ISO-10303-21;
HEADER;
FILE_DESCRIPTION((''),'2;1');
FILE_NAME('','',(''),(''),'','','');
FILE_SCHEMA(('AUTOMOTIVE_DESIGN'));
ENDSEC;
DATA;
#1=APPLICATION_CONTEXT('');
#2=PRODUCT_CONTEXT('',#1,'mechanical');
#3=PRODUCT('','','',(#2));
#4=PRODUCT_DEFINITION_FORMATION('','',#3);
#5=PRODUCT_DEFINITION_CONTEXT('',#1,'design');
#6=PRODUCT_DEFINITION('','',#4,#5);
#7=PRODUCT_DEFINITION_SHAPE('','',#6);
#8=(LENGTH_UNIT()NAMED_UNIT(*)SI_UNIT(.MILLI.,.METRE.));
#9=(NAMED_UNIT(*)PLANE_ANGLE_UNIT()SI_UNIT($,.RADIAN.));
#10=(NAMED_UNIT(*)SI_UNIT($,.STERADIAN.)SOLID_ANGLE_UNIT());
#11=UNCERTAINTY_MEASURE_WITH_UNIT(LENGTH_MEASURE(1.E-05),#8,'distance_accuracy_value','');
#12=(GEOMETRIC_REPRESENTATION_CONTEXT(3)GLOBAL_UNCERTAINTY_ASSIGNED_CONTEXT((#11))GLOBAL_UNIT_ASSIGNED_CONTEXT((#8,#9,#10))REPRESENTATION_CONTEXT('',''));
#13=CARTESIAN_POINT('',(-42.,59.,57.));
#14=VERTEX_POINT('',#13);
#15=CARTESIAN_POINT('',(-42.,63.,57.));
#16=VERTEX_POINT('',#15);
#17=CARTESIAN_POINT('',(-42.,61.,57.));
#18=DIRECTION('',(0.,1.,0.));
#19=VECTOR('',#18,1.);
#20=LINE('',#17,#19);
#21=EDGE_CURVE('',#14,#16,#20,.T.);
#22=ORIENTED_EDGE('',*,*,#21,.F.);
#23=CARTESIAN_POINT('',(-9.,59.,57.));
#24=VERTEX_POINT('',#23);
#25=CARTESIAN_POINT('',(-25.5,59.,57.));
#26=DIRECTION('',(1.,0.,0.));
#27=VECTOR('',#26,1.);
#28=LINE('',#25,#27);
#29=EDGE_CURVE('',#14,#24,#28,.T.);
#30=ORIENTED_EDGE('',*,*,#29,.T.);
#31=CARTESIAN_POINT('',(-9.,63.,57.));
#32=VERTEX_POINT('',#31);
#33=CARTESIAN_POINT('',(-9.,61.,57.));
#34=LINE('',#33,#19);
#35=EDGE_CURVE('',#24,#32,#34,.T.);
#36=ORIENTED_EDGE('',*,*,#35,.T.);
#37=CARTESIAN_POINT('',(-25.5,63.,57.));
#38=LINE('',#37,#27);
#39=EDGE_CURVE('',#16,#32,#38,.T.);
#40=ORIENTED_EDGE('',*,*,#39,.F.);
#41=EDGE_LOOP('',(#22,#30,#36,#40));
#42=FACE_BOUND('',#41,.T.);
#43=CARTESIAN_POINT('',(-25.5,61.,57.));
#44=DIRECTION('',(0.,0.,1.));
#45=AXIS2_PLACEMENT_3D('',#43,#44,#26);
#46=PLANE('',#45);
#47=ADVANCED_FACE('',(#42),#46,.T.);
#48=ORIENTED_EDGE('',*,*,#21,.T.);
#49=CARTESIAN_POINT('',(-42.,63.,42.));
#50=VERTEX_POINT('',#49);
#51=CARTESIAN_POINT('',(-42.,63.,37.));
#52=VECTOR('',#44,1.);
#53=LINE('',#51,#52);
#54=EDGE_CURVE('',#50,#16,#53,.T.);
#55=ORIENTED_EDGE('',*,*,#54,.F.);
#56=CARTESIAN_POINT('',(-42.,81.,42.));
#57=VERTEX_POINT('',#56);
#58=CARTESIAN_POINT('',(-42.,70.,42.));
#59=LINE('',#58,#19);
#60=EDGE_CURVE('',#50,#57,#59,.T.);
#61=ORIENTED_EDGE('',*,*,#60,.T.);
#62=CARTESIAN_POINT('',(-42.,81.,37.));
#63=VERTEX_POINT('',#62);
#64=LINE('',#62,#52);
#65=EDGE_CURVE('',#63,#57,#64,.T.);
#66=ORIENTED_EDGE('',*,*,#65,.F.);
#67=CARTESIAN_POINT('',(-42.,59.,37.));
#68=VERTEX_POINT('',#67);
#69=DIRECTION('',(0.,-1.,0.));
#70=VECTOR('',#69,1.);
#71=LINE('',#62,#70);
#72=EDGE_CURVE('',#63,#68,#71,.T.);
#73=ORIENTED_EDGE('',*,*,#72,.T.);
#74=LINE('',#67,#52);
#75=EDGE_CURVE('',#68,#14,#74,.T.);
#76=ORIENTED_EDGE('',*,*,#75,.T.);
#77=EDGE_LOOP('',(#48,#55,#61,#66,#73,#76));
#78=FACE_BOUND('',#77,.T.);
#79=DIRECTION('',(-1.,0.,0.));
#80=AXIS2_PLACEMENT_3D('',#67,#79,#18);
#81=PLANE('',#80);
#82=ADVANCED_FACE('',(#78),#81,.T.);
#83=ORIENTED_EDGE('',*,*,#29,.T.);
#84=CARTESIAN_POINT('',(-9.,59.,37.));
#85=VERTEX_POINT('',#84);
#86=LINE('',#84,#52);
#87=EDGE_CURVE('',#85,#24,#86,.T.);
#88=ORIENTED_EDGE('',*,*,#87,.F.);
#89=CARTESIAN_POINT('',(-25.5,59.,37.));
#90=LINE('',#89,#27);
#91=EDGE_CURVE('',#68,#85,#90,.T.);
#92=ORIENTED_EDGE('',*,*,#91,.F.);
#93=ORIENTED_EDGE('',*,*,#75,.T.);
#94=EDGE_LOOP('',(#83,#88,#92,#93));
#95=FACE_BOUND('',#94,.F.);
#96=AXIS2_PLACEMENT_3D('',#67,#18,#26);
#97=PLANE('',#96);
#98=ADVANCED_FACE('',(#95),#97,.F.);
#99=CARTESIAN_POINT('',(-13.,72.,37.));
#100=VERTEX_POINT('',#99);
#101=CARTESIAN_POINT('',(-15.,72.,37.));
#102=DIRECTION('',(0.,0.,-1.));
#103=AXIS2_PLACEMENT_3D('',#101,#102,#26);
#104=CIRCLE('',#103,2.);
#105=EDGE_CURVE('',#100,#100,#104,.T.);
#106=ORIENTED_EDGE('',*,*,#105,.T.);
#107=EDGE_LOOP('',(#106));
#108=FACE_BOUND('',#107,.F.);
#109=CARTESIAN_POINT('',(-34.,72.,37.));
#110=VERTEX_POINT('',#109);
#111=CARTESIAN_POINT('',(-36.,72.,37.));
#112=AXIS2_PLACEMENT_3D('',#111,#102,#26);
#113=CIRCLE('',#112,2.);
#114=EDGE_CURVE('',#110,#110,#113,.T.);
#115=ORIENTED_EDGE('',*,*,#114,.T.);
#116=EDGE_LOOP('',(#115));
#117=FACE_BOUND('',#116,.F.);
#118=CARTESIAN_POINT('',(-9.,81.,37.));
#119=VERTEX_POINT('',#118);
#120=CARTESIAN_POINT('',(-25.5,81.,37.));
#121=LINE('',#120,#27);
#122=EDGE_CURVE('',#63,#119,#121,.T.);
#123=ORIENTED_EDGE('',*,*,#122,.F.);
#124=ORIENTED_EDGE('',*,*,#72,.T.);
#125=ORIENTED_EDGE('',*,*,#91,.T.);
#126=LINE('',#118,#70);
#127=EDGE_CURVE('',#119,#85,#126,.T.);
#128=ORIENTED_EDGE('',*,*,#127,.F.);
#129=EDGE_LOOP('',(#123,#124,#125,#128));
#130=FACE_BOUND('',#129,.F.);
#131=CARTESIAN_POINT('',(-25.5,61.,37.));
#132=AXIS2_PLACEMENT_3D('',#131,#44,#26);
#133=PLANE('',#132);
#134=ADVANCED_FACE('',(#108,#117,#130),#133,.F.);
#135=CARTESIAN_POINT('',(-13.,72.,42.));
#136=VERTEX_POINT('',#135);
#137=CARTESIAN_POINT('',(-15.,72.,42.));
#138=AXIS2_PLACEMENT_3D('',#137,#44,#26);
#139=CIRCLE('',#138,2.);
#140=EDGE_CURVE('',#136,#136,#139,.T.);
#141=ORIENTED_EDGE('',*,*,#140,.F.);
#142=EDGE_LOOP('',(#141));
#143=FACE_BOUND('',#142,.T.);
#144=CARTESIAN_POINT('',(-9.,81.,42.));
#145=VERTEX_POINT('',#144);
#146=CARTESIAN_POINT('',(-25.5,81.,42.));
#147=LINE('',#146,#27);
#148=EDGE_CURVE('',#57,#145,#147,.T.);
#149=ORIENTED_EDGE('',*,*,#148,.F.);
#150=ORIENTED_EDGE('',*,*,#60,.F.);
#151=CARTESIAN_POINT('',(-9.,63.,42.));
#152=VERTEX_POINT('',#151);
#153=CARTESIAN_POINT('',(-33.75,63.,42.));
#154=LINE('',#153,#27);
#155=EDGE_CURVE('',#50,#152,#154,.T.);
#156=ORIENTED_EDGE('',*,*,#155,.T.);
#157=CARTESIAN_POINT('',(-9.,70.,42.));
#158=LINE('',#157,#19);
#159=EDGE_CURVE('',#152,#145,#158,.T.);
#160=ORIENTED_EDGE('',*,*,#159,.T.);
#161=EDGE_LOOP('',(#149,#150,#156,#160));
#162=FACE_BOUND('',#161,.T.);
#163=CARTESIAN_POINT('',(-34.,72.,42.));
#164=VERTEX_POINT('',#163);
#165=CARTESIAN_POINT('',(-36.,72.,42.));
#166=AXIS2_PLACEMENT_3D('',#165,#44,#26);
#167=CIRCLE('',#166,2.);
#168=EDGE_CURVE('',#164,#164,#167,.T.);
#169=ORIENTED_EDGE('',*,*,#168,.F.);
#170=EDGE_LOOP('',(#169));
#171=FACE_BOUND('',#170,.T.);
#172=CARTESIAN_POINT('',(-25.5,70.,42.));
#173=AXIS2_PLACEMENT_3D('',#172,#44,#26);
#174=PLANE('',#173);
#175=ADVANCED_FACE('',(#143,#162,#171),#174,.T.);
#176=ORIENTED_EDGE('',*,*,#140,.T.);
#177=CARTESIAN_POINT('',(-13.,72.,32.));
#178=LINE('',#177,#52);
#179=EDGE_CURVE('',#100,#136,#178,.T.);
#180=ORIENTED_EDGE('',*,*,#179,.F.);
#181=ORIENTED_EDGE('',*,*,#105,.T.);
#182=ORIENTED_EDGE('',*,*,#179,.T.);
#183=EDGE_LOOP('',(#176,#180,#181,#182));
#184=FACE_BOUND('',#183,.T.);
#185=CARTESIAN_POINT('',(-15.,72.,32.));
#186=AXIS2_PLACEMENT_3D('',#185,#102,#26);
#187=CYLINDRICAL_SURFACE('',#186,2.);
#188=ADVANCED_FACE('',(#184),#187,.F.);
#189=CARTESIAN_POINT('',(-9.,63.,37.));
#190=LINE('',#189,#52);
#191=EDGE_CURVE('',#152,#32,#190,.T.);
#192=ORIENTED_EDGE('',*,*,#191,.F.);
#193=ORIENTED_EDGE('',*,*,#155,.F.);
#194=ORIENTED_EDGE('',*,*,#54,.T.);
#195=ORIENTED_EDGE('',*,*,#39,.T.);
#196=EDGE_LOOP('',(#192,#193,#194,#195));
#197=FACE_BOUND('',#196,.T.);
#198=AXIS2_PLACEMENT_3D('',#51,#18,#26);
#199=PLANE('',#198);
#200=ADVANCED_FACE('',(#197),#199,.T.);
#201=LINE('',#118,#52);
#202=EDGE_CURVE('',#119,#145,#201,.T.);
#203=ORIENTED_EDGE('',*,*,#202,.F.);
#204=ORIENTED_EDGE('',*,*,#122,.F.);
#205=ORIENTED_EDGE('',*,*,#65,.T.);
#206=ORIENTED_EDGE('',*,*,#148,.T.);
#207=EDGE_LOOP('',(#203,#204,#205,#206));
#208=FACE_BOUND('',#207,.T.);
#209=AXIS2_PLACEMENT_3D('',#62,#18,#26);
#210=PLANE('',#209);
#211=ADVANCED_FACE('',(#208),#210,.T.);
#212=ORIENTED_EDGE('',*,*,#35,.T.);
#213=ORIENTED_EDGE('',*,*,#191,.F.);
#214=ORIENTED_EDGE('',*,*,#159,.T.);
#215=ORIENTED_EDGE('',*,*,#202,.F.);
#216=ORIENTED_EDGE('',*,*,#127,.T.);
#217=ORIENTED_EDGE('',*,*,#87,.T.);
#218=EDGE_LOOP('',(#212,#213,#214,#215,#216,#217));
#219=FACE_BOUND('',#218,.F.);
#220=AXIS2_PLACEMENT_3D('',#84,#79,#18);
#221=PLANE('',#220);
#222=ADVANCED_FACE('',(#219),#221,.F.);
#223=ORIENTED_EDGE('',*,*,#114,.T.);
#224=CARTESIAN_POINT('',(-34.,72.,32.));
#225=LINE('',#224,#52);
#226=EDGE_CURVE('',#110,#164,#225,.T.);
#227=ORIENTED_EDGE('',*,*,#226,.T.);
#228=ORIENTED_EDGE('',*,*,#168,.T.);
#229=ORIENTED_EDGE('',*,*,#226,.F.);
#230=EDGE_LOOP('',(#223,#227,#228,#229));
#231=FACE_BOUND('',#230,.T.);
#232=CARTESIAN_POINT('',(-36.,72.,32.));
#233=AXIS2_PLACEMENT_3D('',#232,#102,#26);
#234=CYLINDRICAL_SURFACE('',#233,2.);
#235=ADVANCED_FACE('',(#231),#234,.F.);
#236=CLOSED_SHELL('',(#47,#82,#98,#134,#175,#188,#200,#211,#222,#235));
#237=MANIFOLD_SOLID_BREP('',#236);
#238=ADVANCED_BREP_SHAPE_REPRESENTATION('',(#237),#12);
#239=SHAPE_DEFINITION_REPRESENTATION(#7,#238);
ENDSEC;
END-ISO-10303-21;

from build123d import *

# Parameters (mm, degrees)
CYLINDER291_R     = 2
CYLINDER291_DEPTH = 10
CYLINDER290_R     = 2
CYLINDER290_DEPTH = 10
BOX400_W          = 33
BOX400_H          = 22
BOX400_DEPTH      = 5
BOX397_W          = 33
BOX397_H          = 4
BOX397_DEPTH      = 20


with BuildPart() as cylinder291:
    # Cylinder291 → Cylinder291 (new body)
    with BuildSketch(Plane(origin=(-15, 72, 32), x_dir=(1, 0, 0), z_dir=(0, 0, 1))):
        Circle(CYLINDER291_R)
    extrude(amount=CYLINDER291_DEPTH)


with BuildPart() as fusion229:
    # Cylinder290 → Cylinder290 (new body)
    with BuildSketch(Plane(origin=(-36, 72, 32), x_dir=(1, 0, 0), z_dir=(0, 0, 1))):
        Circle(CYLINDER290_R)
    extrude(amount=CYLINDER290_DEPTH)

    # Fusion229: union Cylinder291
    add(cylinder291.part)


with BuildPart() as cut277:
    # Box400 → Box400 (new body)
    with BuildSketch(Plane(origin=(-42, 59, 37), x_dir=(1, 0, 0), z_dir=(0, 0, 1))):
        with Locations((16.5, 11)):
            Rectangle(BOX400_W, BOX400_H)
    extrude(amount=BOX400_DEPTH)

    # Cut277: cut Fusion229
    add(fusion229.part, mode=Mode.SUBTRACT)


with BuildPart() as lipo_cover:
    # Box397 → Box397 (new body)
    with BuildSketch(Plane(origin=(-42, 59, 37), x_dir=(1, 0, 0), z_dir=(0, 0, 1))):
        with Locations((16.5, 2)):
            Rectangle(BOX397_W, BOX397_H)
    extrude(amount=BOX397_DEPTH)

    # Fusion231: union Cut277
    add(cut277.part)


solid = lipo_cover.part
